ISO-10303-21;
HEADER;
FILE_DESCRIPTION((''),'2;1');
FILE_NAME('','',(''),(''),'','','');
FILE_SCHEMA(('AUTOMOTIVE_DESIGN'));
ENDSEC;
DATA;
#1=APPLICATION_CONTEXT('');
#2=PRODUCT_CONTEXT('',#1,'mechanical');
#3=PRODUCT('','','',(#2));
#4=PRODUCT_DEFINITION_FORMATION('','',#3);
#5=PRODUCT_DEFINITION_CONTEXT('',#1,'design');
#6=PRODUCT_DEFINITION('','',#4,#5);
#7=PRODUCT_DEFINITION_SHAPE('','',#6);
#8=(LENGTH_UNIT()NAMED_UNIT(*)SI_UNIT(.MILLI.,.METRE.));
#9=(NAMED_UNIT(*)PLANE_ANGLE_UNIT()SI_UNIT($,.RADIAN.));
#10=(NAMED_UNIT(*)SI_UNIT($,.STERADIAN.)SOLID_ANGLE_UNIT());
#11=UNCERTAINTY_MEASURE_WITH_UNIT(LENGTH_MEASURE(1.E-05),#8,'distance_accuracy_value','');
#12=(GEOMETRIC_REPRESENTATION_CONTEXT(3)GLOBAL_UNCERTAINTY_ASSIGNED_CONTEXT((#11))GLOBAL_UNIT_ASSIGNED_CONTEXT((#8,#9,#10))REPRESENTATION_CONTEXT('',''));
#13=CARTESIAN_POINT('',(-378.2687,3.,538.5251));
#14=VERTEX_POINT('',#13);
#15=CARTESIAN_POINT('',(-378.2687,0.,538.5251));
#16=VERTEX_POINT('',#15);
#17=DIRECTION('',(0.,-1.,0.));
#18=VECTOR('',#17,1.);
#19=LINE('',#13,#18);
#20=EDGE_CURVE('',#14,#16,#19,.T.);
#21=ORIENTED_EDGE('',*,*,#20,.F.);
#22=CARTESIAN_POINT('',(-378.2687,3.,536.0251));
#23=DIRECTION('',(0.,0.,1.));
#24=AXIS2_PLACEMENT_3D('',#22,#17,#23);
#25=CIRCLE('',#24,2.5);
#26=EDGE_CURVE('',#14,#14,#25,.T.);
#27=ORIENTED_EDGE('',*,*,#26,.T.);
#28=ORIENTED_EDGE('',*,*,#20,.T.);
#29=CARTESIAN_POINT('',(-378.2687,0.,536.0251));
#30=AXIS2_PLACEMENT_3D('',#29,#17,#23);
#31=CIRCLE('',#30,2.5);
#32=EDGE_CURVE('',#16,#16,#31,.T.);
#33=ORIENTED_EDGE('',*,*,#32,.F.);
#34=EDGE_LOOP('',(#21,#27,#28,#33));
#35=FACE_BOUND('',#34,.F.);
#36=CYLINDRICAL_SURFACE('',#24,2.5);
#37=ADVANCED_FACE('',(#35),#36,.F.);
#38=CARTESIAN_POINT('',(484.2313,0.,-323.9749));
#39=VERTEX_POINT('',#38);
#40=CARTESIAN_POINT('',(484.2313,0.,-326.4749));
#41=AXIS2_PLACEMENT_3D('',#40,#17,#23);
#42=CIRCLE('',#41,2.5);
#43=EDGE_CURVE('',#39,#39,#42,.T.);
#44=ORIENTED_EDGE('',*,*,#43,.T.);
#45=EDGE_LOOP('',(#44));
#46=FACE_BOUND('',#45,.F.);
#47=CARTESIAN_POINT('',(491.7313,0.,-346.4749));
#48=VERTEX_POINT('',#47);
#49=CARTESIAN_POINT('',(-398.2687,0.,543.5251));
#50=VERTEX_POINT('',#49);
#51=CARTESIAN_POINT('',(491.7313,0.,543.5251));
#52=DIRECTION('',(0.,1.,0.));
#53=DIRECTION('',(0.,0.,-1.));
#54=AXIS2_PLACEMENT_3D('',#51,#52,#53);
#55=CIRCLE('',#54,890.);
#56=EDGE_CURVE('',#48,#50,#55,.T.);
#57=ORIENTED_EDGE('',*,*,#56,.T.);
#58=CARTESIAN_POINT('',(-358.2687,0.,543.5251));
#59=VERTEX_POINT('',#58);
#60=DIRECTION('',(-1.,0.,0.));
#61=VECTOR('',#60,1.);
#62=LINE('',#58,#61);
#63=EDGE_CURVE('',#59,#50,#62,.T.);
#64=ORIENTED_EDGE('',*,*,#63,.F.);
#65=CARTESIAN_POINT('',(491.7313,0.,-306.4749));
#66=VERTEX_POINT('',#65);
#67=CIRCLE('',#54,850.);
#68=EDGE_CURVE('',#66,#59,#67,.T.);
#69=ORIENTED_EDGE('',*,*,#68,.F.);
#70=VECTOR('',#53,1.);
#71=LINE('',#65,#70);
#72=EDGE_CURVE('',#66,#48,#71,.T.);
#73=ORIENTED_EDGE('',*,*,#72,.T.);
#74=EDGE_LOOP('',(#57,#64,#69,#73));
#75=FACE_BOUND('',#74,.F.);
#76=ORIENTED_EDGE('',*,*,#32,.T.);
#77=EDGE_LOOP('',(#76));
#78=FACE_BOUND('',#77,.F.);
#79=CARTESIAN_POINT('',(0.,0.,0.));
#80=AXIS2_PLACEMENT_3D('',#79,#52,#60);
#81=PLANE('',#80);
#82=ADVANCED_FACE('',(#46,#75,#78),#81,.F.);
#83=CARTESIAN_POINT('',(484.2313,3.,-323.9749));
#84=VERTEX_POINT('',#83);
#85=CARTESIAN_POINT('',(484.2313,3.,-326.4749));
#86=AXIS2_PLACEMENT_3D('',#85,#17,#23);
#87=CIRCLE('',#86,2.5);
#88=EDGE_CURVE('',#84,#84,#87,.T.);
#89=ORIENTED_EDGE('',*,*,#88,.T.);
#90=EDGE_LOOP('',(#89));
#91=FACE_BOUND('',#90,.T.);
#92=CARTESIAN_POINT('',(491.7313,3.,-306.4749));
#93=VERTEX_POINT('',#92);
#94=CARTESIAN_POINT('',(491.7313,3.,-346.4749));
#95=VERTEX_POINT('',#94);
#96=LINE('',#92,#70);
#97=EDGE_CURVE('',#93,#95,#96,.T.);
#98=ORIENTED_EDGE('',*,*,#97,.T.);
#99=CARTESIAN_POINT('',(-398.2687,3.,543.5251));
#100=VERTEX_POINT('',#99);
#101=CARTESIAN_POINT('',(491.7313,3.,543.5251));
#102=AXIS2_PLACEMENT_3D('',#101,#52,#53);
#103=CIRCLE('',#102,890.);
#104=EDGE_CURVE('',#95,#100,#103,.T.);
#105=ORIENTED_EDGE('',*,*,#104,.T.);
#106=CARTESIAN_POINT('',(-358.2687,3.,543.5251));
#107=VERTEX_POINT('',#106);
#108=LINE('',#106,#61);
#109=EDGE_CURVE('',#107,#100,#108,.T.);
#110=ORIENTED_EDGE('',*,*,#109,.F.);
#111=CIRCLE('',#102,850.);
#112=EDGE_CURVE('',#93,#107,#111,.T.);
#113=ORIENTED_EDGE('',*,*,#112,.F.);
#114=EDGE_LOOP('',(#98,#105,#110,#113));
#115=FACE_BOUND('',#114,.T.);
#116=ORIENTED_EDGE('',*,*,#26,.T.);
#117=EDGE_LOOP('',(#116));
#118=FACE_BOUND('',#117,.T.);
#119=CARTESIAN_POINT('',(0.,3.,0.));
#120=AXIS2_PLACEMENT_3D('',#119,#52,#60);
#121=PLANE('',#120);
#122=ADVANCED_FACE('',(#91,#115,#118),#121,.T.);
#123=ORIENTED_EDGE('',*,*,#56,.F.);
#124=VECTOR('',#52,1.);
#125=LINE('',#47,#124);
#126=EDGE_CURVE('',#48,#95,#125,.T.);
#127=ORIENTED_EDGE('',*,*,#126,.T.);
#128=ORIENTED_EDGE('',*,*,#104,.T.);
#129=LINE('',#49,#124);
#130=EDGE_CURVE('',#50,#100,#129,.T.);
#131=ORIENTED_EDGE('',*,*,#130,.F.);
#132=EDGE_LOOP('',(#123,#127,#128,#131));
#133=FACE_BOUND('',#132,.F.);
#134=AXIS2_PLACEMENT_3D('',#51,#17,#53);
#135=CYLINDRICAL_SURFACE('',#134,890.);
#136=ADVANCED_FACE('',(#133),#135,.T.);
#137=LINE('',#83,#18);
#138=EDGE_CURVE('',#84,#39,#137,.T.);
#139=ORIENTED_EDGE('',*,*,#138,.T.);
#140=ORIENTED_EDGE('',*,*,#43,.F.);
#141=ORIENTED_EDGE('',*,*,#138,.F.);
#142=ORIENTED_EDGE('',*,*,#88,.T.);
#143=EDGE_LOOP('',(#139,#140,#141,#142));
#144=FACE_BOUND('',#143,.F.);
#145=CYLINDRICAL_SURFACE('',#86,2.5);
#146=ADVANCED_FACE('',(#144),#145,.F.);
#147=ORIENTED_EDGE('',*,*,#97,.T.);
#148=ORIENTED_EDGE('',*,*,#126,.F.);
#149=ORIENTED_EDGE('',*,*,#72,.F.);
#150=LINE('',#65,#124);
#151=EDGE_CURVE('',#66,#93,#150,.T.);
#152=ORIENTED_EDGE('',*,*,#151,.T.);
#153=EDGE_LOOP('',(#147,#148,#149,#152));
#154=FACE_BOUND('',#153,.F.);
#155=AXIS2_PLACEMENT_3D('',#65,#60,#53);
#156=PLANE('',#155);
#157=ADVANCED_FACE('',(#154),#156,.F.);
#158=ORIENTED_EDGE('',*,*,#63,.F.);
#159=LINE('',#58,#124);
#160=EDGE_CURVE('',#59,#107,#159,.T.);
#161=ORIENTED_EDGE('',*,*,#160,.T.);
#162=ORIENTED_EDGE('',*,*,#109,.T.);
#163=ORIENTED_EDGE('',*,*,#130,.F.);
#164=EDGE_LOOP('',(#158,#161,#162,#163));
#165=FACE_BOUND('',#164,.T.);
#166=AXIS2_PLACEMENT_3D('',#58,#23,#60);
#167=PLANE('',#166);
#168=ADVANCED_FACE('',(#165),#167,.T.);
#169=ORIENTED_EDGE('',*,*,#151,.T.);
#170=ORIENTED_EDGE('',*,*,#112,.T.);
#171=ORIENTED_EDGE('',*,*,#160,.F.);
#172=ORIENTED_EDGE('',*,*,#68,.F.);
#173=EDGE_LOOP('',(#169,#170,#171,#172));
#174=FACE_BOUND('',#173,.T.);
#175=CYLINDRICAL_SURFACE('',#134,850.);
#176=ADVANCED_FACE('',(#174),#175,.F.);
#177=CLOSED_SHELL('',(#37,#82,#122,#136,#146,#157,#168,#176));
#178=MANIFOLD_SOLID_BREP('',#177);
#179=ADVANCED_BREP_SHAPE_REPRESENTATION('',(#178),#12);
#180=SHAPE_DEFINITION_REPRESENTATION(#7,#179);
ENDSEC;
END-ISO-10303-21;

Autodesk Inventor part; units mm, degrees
ref_plane "YZ Plane" through (0, 0, 0) normal (1, 0, 0) x (0, 1, 0)
ref_plane "XZ Plane" through (0, 0, 0) normal (0, 1, 0) x (-1, 0, 0)
ref_plane "XY Plane" through (0, 0, 0) normal (0, 0, 1) x (1, 0, 0)
sketch "Esboço1" plane through (0, 0, 0) normal (0, 1, 0) x (-1, 0, 0)
  arc A0 (-491.7313, -306.4749) -> (358.2687, 543.5251) centre (-491.7313, 543.5251) ccw
  arc A1 (-491.7313, -346.4749) -> (398.2687, 543.5251) centre (-491.7313, 543.5251) ccw
  line L0 (358.2687, 543.5251) -> (398.2687, 543.5251)
  line L1 (-491.7313, -306.4749) -> (-491.7313, -346.4749)
  point P0 (0, 0)
  dimension "d0" = 850
  dimension "d1" = 890
extrude "Extrusão1" add sketch "Esboço1" along normal blind 3
sketch "Esboço2" plane through (0, 3, 0) normal (0, 1, 0) x (1, 0, 0)
  circle A0 centre (-378.2687, -536.0251) radius 2.5
  circle A1 centre (484.2313, 326.4749) radius 2.5
  line L0 (491.7313, 306.4749) -> (491.7313, 346.4749) projected
  line L1 (-398.2687, -543.5251) -> (-358.2687, -543.5251) projected
  point P0 (0, 0)
  dimension "d16" = 5
  dimension "d17" = 5
  dimension "d18" = 7.5
  dimension "d19" = 20
  dimension "d20" = 7.5
  dimension "d21" = 20
hole "Furo1" at (-378.2687, 3, 536.0251) at (484.2313, 3, -326.4749) direction (0, -1, 0) diameter 5 end through all
properties part number "Arco médio" material "Alumínio 6061"
